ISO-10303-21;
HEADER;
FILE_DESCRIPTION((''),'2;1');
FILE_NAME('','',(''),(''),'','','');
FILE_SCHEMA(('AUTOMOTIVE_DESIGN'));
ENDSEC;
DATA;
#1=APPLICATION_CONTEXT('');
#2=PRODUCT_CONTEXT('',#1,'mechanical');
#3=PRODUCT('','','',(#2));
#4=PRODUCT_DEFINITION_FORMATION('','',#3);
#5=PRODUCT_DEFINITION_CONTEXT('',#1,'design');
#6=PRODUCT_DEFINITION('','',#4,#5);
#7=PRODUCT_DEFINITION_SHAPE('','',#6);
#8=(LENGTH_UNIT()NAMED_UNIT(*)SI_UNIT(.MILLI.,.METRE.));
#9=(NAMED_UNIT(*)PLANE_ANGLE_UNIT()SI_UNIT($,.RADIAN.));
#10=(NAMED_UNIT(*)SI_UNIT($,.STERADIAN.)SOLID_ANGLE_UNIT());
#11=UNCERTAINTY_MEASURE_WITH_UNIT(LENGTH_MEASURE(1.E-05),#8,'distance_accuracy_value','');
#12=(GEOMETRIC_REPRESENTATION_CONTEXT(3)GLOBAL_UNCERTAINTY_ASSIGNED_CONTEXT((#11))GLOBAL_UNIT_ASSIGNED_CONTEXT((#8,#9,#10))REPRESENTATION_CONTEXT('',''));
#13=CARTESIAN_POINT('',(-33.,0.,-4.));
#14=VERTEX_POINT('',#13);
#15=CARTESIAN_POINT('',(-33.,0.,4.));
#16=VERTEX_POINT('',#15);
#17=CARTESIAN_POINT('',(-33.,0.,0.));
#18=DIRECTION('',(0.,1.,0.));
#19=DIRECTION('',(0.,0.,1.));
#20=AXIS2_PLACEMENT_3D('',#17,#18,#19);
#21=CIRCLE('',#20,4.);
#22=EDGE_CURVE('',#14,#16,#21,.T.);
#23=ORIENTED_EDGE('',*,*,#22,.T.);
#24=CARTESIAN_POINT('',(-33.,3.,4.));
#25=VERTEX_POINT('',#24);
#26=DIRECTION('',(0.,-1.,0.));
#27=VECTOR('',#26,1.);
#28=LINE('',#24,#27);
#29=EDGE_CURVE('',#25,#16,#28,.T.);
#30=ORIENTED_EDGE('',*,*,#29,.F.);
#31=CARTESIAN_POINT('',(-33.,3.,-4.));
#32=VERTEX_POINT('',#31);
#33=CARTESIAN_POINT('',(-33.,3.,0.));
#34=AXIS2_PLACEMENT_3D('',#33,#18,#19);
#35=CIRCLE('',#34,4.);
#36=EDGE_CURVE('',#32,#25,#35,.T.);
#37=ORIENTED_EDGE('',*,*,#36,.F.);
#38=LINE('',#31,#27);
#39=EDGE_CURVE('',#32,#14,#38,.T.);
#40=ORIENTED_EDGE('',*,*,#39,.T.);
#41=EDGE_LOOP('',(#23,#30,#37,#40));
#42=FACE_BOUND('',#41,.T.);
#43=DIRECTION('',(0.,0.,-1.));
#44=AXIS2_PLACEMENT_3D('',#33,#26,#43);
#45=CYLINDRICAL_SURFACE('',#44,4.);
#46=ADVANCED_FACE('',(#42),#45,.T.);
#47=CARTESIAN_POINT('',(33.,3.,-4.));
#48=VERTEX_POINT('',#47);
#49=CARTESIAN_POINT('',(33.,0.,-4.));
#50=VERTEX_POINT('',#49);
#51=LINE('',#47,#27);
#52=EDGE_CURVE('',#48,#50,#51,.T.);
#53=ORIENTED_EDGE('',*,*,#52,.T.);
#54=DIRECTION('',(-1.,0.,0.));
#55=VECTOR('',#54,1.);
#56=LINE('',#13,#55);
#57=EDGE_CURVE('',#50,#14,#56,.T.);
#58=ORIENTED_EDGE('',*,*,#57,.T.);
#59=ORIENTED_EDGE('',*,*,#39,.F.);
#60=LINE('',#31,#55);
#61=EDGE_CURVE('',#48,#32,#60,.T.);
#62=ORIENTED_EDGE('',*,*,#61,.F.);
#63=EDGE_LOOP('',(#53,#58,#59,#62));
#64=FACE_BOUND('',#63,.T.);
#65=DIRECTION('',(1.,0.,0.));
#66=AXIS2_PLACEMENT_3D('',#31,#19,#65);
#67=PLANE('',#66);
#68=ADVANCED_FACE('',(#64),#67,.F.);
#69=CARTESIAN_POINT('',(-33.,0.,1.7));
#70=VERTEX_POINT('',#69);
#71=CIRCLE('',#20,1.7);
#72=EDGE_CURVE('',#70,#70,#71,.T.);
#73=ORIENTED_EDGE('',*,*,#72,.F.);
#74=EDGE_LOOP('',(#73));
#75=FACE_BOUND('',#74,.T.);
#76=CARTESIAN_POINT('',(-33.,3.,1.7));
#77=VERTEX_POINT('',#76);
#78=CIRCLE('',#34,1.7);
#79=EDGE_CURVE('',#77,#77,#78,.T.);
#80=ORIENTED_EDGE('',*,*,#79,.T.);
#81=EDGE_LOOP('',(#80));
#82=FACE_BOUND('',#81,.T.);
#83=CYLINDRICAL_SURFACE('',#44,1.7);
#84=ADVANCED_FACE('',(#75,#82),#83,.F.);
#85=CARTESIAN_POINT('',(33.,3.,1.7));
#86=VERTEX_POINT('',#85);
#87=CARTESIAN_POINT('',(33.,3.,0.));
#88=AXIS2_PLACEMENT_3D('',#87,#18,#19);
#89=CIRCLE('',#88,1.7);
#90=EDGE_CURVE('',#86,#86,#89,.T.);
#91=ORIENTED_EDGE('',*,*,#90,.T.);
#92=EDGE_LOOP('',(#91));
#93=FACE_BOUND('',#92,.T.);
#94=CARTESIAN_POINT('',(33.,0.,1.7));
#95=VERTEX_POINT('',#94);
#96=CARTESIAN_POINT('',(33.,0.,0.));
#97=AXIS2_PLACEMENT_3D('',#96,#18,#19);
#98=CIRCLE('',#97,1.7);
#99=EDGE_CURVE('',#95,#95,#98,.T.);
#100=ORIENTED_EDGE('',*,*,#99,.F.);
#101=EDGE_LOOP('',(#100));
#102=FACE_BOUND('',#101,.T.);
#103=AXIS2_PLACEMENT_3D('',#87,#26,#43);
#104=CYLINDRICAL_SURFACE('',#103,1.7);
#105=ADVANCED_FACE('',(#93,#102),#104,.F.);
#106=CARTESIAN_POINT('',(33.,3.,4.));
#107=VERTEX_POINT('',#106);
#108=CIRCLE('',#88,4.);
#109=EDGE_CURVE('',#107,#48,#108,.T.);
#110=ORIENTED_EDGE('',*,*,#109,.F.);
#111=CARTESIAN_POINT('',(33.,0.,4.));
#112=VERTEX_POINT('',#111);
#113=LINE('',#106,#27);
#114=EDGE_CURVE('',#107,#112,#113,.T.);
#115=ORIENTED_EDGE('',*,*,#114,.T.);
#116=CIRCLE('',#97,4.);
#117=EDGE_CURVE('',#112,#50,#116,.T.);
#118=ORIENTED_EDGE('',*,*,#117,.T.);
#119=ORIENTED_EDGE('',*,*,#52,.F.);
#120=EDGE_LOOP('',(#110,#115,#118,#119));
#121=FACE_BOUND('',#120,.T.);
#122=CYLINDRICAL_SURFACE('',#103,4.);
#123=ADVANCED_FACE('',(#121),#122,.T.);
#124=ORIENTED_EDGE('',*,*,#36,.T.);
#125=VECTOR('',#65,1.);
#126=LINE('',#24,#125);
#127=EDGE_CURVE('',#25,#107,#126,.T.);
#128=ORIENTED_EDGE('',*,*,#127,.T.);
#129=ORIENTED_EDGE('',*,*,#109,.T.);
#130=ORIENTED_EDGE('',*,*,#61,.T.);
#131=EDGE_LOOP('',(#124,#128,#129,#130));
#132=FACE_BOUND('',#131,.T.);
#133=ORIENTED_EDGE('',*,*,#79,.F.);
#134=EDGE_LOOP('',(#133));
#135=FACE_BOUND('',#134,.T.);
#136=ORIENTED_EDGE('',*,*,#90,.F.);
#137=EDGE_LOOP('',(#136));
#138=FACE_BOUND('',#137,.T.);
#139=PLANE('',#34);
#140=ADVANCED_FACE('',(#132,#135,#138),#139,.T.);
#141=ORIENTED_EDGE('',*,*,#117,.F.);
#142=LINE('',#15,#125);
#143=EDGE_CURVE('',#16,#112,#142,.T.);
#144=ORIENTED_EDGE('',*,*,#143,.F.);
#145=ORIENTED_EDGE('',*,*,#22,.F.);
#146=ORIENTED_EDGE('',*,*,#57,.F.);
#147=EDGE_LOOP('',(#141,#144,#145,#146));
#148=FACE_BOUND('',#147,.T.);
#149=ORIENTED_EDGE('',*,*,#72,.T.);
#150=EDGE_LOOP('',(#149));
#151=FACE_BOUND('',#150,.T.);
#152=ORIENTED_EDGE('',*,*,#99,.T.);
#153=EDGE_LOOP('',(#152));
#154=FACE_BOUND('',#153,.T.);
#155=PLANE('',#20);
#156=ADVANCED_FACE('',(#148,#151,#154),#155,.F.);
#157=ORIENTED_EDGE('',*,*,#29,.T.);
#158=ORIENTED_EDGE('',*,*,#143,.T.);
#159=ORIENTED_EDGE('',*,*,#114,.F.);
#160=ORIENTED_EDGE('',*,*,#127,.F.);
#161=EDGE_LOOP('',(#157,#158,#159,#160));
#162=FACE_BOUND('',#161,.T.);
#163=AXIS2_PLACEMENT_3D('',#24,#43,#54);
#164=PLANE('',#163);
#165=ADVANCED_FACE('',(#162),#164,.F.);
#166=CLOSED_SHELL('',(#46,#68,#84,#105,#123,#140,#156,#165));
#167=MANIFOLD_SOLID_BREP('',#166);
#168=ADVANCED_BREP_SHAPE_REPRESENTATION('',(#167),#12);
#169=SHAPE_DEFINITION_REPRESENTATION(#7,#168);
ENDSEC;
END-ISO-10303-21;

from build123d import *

# Parameters (mm, degrees)
SKETCH_1_R      = 1.7
EXTRUDE_1_DEPTH = 3


with BuildPart() as part:
    # 草图1 → 凸台-拉伸1 (new body)
    with BuildSketch(Plane(origin=(0, 0, 0), x_dir=(1, 0, 0), z_dir=(0, 1, 0))):
        with BuildLine():
            Line((-33, 4), (33, 4))
            ThreePointArc((33, 4), (37, 0), (33, -4))
            Line((33, -4), (-33, -4))
            ThreePointArc((-33, -4), (-37, 0), (-33, 4))
        make_face()
        with Locations((-33, 0)):
            Circle(SKETCH_1_R, mode=Mode.SUBTRACT)
        with Locations((33, 0)):
            Circle(SKETCH_1_R, mode=Mode.SUBTRACT)
    extrude(amount=EXTRUDE_1_DEPTH)


solid = part.part
